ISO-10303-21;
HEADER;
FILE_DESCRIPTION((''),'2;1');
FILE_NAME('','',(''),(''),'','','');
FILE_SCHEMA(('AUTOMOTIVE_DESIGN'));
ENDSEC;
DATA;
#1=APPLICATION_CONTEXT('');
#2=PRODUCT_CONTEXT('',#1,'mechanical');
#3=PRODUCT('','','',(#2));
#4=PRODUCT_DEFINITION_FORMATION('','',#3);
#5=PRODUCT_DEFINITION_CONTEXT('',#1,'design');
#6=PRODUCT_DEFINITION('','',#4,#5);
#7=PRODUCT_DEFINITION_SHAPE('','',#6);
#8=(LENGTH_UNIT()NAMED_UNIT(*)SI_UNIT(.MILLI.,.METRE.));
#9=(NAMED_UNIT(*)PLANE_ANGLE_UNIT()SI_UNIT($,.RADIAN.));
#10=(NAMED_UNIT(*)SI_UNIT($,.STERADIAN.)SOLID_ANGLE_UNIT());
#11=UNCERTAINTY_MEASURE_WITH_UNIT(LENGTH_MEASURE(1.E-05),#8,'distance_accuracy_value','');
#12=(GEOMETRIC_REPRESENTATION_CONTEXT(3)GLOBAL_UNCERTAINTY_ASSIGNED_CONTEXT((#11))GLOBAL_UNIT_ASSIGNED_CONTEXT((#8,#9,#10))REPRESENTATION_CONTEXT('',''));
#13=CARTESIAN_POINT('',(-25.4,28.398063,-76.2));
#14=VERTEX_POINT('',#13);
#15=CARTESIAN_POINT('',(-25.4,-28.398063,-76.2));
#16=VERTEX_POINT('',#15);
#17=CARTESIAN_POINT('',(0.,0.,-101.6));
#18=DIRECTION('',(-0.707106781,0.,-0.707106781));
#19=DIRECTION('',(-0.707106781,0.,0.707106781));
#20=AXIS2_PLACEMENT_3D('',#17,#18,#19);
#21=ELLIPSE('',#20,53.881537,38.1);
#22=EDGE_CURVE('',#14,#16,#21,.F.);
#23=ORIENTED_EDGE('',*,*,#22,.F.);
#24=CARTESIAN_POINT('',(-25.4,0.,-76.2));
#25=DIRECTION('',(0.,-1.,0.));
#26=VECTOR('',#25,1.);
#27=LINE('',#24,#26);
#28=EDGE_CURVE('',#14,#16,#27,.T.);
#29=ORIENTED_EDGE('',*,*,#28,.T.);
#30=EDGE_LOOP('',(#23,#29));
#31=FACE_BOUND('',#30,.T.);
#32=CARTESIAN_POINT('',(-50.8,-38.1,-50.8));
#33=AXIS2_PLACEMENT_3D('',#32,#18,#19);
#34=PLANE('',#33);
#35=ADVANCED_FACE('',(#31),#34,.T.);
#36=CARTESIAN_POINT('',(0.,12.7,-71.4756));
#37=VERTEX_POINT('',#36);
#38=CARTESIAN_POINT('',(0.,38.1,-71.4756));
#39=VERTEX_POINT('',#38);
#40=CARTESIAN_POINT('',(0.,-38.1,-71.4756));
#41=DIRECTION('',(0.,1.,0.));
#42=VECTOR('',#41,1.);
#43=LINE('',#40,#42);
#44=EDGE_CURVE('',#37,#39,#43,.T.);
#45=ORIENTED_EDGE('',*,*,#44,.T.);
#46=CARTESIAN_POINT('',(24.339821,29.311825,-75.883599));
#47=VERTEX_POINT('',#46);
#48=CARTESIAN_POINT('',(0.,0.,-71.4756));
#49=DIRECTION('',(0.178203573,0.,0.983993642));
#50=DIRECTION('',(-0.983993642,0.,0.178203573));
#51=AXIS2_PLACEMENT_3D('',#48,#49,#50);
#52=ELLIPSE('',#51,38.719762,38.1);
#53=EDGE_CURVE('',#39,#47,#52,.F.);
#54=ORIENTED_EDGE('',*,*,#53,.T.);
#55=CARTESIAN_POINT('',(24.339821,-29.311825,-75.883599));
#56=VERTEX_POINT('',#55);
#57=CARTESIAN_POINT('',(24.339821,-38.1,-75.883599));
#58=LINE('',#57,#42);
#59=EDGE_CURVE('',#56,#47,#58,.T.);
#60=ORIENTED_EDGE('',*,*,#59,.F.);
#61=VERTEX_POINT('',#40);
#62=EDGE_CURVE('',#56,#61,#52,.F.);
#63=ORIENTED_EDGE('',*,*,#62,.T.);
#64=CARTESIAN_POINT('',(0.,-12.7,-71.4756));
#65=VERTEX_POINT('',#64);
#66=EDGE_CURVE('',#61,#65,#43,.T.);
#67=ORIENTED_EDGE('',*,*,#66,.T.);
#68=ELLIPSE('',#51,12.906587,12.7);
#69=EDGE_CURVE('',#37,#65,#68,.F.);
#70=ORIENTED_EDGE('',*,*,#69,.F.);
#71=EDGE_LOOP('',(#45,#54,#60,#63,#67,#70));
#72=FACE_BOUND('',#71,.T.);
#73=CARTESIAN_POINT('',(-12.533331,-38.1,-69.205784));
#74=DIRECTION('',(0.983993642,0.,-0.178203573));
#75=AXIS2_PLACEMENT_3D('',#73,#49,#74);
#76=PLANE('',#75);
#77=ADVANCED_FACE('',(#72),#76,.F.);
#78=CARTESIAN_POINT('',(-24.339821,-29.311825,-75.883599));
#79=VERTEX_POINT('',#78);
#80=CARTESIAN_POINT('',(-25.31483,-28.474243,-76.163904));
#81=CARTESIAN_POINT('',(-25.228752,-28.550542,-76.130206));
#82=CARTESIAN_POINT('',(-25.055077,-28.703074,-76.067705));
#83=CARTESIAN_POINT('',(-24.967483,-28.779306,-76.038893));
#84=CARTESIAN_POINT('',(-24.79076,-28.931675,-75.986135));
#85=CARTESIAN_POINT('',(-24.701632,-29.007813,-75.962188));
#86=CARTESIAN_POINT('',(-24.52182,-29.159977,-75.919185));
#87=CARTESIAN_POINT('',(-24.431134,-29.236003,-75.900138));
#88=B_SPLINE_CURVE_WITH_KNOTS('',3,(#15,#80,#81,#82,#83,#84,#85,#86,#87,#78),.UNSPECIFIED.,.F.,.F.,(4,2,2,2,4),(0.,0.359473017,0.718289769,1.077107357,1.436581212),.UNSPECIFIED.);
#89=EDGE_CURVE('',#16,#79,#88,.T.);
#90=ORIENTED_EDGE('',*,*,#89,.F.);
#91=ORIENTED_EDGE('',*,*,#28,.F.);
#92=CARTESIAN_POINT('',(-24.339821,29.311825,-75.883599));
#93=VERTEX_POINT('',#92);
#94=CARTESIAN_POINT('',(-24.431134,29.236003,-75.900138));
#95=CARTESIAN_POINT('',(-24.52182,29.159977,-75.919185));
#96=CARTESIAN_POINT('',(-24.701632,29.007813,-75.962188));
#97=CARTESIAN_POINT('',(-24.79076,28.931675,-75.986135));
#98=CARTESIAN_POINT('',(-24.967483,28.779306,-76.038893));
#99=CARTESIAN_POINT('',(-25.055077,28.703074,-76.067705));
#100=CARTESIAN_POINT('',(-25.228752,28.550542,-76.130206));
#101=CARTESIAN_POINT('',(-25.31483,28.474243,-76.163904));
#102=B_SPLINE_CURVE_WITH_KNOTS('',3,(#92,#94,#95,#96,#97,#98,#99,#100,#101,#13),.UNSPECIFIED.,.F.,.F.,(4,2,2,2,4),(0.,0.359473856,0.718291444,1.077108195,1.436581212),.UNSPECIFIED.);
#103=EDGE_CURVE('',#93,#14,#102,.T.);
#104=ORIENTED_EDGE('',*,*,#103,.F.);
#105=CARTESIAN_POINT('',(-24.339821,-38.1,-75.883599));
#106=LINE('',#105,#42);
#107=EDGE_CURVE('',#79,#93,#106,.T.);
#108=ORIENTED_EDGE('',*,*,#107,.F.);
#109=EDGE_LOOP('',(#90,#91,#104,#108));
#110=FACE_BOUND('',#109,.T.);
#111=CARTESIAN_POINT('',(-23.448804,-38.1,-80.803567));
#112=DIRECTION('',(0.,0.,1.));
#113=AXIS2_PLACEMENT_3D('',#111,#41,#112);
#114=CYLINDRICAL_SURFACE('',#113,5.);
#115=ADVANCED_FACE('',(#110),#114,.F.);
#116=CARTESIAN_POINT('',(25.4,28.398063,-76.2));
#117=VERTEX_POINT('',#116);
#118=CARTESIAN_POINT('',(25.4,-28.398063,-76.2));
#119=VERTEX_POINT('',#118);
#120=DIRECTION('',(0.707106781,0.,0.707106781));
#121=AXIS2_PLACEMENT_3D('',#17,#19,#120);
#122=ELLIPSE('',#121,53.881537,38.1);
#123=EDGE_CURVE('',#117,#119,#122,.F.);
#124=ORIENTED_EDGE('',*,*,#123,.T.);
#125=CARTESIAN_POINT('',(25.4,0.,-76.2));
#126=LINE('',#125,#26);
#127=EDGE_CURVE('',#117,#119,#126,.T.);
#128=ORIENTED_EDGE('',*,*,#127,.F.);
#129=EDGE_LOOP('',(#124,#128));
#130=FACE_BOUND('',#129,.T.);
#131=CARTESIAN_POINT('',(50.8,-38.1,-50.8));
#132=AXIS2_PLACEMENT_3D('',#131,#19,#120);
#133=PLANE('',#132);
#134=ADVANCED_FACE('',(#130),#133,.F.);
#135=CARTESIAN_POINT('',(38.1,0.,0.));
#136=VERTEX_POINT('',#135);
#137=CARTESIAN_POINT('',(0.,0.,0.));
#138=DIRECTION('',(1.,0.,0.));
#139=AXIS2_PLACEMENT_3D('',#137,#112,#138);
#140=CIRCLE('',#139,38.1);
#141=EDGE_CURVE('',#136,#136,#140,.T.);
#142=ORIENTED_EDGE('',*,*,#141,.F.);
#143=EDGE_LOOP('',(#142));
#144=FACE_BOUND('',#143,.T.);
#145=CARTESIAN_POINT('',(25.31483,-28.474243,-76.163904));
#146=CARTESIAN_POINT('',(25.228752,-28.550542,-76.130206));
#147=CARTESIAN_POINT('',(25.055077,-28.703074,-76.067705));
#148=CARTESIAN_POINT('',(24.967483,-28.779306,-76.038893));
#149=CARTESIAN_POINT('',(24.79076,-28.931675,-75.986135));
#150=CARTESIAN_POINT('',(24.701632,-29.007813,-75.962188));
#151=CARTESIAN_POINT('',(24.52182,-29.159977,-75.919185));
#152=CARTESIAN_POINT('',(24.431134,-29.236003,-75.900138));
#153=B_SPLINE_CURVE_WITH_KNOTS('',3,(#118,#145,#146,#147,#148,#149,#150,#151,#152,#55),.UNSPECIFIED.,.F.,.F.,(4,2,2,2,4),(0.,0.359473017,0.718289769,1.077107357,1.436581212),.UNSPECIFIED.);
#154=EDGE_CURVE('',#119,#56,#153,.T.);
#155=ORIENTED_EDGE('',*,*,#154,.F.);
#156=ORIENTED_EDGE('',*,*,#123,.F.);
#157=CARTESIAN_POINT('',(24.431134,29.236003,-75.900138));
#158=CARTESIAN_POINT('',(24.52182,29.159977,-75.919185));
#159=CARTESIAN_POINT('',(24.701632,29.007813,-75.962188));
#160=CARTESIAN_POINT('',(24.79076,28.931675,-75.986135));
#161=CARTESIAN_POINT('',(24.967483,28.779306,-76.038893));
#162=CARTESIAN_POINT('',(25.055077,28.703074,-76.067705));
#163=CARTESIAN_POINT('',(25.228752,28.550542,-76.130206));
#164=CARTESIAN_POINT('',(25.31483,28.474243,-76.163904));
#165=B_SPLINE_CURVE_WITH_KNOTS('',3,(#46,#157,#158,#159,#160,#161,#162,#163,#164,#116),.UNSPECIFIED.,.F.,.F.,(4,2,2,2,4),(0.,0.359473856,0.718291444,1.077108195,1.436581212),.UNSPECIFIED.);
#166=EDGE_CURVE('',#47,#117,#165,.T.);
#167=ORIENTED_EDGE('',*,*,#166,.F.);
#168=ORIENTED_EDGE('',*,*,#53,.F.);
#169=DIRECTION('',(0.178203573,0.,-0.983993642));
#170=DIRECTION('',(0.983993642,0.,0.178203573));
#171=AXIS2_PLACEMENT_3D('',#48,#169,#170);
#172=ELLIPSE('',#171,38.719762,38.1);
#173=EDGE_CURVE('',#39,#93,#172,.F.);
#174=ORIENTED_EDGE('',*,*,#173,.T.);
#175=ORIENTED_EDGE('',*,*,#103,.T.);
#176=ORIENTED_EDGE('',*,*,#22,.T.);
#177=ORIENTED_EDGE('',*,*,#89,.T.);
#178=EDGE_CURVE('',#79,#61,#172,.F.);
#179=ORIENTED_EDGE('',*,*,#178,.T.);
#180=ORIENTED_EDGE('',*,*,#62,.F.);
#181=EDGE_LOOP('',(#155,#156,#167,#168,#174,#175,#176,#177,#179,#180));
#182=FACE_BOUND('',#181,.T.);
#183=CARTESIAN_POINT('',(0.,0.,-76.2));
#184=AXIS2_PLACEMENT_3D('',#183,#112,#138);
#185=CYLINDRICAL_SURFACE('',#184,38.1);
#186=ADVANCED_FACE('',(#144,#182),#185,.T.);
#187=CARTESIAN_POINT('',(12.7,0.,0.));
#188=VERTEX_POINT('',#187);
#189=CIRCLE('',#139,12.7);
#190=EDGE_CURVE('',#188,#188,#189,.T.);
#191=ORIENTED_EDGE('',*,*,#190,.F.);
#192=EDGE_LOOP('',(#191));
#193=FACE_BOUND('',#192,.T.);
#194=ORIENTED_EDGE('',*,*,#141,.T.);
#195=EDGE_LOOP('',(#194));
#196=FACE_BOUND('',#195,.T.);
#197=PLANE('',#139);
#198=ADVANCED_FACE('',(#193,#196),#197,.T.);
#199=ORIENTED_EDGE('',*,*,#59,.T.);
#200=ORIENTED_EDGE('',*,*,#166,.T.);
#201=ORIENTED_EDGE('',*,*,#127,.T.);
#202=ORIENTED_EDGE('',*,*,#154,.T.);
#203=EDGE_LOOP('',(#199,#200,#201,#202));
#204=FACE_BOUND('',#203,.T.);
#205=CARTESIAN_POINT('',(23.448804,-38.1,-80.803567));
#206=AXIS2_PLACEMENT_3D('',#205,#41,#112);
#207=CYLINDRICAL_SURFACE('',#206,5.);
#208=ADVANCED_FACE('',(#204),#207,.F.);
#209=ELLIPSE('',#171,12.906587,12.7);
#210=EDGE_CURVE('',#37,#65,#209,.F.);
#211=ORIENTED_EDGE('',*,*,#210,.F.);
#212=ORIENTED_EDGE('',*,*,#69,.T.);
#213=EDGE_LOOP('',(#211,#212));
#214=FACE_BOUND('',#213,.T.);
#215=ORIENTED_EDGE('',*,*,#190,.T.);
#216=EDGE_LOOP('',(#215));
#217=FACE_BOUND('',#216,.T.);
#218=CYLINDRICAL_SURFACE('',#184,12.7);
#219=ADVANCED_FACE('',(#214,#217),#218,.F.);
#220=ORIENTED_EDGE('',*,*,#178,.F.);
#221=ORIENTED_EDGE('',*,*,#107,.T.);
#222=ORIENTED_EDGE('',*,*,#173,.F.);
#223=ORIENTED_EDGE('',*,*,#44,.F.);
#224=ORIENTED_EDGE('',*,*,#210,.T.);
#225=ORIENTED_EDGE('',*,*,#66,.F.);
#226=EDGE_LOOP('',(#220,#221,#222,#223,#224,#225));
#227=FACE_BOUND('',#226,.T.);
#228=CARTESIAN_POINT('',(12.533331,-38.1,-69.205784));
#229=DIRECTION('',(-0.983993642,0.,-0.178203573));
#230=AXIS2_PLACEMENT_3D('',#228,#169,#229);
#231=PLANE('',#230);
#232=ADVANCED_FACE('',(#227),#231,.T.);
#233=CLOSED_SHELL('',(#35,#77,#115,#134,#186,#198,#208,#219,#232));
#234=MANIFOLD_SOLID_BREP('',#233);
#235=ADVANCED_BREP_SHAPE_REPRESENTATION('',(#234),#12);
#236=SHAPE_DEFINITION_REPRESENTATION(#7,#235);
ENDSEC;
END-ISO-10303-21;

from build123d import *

# Parameters (mm, degrees)
SKETCH1_R               = 38.1
SKETCH1_R_2             = 12.7
BOSS_EXTRUDE1_DEPTH     = 76.2
CUT_EXTRUDE1_DEPTH      = 94.3255592
CUT_EXTRUDE1_DEPTH_BACK = 94.3255592


with BuildPart() as part:
    # Sketch1 → Boss-Extrude1 (new body)
    with BuildSketch(Plane.XY):
        Circle(SKETCH1_R)
        Circle(SKETCH1_R_2, mode=Mode.SUBTRACT)
    extrude(amount=-BOSS_EXTRUDE1_DEPTH)

    # Sketch2 → Cut-Extrude1 (cut, two sides: drawn at the far end of the back side and taken through both)
    with BuildSketch(Plane(origin=(0, 0, 0), x_dir=(1, 0, 0), z_dir=(0, 1, 0)).offset(-CUT_EXTRUDE1_DEPTH_BACK)):
        Polygon((-38.1, 76.2), (-25.4, 76.2), (-38.1, 63.5), align=None)
        with BuildLine():
            Line((0, 76.2), (-25.4, 76.2))
            ThreePointArc((-25.4, 76.2), (-24.878689197, 76.012385142), (-24.339821442, 75.883599159))
            Line((-24.339821442, 75.883599159), (0, 71.4756))
            Line((0, 71.4756), (0, 76.2))
        make_face()
        with BuildLine():
            Line((25.4, 76.2), (0, 76.2))
            Line((0, 76.2), (0, 71.4756))
            Line((0, 71.4756), (24.339821442, 75.883599159))
            ThreePointArc((24.339821442, 75.883599159), (24.878689197, 76.012385142), (25.4, 76.2))
        make_face()
        Polygon((38.1, 76.2), (25.4, 76.2), (38.1, 63.5), align=None)
    extrude(amount=CUT_EXTRUDE1_DEPTH + CUT_EXTRUDE1_DEPTH_BACK, mode=Mode.SUBTRACT)


solid = part.part
